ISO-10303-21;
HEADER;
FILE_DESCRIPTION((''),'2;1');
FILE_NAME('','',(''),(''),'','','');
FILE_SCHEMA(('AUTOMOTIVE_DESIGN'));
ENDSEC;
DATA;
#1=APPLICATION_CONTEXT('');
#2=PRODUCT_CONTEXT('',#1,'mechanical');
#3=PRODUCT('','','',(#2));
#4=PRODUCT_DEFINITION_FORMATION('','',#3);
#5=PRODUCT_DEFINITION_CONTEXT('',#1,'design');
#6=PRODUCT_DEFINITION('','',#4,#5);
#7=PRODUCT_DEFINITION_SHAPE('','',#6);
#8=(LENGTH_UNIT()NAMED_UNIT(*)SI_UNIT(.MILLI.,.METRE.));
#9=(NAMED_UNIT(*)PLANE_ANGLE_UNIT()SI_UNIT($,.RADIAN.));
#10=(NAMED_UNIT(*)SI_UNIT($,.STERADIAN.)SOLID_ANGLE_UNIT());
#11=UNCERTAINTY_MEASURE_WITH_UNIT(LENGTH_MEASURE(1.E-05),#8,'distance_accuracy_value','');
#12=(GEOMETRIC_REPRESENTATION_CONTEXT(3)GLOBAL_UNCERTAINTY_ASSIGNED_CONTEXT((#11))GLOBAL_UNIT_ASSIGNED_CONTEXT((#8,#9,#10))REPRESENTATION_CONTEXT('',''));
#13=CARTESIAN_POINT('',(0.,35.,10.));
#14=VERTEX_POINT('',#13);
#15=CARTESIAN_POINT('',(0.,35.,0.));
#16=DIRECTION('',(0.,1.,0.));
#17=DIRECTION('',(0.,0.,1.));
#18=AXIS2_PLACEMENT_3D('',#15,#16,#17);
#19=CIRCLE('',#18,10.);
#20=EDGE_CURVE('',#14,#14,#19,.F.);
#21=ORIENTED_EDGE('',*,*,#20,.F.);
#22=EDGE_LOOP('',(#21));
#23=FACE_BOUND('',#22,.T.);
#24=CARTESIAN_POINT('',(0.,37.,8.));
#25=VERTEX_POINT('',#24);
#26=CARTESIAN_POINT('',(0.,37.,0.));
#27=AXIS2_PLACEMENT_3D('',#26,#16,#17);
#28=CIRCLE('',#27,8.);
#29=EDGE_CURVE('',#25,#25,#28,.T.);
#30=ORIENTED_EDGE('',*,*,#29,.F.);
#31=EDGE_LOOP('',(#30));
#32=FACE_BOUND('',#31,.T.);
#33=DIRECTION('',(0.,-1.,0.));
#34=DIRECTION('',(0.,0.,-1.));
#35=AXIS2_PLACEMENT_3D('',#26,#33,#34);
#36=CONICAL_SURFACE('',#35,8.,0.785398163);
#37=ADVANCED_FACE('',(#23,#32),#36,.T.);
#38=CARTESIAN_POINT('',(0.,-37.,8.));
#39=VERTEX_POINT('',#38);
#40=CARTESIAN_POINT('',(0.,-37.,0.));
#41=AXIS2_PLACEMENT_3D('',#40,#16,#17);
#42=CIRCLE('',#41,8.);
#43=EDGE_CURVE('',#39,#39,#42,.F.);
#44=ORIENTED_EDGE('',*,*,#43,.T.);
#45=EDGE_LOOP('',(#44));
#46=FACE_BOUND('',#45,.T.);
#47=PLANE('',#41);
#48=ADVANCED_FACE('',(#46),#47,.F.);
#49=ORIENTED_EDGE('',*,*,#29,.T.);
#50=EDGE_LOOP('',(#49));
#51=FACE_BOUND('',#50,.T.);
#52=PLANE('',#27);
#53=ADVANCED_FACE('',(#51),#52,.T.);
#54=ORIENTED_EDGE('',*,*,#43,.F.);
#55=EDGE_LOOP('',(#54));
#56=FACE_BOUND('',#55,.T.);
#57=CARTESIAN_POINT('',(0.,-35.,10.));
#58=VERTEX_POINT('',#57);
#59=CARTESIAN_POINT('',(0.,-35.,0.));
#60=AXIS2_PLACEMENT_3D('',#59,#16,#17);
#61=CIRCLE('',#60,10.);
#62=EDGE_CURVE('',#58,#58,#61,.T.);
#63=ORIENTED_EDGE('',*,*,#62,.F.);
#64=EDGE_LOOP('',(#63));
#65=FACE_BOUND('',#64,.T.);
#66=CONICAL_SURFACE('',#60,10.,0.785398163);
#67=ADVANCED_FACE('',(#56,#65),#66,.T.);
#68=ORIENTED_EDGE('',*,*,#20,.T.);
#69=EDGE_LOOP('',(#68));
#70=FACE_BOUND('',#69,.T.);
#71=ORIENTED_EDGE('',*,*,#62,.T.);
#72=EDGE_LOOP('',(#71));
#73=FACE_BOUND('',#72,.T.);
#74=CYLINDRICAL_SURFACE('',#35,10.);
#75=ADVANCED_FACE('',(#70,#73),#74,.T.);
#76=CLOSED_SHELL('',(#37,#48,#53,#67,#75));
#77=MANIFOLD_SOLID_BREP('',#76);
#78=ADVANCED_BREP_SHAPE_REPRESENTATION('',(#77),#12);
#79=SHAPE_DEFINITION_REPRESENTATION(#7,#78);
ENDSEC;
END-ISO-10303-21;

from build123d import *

# Parameters (mm, degrees)
SKETCH1_R           = 10
BOSS_EXTRUDE1_DEPTH = 37
CHAMFER1_SIZE       = 2


with BuildPart() as part:
    # Sketch1 → Boss-Extrude1 (new body, symmetric)
    with BuildSketch(Plane(origin=(0, 0, 0), x_dir=(1, 0, 0), z_dir=(0, 1, 0))):
        Circle(SKETCH1_R)
    extrude(amount=BOSS_EXTRUDE1_DEPTH, both=True)

    # Chamfer1
    chamfer1_edges = [part.edges().sort_by_distance(p)[0] for p in [
        (-10, -37, 0),
        (-10, 37, 0),
    ]]
    chamfer(chamfer1_edges, length=CHAMFER1_SIZE)


solid = part.part
